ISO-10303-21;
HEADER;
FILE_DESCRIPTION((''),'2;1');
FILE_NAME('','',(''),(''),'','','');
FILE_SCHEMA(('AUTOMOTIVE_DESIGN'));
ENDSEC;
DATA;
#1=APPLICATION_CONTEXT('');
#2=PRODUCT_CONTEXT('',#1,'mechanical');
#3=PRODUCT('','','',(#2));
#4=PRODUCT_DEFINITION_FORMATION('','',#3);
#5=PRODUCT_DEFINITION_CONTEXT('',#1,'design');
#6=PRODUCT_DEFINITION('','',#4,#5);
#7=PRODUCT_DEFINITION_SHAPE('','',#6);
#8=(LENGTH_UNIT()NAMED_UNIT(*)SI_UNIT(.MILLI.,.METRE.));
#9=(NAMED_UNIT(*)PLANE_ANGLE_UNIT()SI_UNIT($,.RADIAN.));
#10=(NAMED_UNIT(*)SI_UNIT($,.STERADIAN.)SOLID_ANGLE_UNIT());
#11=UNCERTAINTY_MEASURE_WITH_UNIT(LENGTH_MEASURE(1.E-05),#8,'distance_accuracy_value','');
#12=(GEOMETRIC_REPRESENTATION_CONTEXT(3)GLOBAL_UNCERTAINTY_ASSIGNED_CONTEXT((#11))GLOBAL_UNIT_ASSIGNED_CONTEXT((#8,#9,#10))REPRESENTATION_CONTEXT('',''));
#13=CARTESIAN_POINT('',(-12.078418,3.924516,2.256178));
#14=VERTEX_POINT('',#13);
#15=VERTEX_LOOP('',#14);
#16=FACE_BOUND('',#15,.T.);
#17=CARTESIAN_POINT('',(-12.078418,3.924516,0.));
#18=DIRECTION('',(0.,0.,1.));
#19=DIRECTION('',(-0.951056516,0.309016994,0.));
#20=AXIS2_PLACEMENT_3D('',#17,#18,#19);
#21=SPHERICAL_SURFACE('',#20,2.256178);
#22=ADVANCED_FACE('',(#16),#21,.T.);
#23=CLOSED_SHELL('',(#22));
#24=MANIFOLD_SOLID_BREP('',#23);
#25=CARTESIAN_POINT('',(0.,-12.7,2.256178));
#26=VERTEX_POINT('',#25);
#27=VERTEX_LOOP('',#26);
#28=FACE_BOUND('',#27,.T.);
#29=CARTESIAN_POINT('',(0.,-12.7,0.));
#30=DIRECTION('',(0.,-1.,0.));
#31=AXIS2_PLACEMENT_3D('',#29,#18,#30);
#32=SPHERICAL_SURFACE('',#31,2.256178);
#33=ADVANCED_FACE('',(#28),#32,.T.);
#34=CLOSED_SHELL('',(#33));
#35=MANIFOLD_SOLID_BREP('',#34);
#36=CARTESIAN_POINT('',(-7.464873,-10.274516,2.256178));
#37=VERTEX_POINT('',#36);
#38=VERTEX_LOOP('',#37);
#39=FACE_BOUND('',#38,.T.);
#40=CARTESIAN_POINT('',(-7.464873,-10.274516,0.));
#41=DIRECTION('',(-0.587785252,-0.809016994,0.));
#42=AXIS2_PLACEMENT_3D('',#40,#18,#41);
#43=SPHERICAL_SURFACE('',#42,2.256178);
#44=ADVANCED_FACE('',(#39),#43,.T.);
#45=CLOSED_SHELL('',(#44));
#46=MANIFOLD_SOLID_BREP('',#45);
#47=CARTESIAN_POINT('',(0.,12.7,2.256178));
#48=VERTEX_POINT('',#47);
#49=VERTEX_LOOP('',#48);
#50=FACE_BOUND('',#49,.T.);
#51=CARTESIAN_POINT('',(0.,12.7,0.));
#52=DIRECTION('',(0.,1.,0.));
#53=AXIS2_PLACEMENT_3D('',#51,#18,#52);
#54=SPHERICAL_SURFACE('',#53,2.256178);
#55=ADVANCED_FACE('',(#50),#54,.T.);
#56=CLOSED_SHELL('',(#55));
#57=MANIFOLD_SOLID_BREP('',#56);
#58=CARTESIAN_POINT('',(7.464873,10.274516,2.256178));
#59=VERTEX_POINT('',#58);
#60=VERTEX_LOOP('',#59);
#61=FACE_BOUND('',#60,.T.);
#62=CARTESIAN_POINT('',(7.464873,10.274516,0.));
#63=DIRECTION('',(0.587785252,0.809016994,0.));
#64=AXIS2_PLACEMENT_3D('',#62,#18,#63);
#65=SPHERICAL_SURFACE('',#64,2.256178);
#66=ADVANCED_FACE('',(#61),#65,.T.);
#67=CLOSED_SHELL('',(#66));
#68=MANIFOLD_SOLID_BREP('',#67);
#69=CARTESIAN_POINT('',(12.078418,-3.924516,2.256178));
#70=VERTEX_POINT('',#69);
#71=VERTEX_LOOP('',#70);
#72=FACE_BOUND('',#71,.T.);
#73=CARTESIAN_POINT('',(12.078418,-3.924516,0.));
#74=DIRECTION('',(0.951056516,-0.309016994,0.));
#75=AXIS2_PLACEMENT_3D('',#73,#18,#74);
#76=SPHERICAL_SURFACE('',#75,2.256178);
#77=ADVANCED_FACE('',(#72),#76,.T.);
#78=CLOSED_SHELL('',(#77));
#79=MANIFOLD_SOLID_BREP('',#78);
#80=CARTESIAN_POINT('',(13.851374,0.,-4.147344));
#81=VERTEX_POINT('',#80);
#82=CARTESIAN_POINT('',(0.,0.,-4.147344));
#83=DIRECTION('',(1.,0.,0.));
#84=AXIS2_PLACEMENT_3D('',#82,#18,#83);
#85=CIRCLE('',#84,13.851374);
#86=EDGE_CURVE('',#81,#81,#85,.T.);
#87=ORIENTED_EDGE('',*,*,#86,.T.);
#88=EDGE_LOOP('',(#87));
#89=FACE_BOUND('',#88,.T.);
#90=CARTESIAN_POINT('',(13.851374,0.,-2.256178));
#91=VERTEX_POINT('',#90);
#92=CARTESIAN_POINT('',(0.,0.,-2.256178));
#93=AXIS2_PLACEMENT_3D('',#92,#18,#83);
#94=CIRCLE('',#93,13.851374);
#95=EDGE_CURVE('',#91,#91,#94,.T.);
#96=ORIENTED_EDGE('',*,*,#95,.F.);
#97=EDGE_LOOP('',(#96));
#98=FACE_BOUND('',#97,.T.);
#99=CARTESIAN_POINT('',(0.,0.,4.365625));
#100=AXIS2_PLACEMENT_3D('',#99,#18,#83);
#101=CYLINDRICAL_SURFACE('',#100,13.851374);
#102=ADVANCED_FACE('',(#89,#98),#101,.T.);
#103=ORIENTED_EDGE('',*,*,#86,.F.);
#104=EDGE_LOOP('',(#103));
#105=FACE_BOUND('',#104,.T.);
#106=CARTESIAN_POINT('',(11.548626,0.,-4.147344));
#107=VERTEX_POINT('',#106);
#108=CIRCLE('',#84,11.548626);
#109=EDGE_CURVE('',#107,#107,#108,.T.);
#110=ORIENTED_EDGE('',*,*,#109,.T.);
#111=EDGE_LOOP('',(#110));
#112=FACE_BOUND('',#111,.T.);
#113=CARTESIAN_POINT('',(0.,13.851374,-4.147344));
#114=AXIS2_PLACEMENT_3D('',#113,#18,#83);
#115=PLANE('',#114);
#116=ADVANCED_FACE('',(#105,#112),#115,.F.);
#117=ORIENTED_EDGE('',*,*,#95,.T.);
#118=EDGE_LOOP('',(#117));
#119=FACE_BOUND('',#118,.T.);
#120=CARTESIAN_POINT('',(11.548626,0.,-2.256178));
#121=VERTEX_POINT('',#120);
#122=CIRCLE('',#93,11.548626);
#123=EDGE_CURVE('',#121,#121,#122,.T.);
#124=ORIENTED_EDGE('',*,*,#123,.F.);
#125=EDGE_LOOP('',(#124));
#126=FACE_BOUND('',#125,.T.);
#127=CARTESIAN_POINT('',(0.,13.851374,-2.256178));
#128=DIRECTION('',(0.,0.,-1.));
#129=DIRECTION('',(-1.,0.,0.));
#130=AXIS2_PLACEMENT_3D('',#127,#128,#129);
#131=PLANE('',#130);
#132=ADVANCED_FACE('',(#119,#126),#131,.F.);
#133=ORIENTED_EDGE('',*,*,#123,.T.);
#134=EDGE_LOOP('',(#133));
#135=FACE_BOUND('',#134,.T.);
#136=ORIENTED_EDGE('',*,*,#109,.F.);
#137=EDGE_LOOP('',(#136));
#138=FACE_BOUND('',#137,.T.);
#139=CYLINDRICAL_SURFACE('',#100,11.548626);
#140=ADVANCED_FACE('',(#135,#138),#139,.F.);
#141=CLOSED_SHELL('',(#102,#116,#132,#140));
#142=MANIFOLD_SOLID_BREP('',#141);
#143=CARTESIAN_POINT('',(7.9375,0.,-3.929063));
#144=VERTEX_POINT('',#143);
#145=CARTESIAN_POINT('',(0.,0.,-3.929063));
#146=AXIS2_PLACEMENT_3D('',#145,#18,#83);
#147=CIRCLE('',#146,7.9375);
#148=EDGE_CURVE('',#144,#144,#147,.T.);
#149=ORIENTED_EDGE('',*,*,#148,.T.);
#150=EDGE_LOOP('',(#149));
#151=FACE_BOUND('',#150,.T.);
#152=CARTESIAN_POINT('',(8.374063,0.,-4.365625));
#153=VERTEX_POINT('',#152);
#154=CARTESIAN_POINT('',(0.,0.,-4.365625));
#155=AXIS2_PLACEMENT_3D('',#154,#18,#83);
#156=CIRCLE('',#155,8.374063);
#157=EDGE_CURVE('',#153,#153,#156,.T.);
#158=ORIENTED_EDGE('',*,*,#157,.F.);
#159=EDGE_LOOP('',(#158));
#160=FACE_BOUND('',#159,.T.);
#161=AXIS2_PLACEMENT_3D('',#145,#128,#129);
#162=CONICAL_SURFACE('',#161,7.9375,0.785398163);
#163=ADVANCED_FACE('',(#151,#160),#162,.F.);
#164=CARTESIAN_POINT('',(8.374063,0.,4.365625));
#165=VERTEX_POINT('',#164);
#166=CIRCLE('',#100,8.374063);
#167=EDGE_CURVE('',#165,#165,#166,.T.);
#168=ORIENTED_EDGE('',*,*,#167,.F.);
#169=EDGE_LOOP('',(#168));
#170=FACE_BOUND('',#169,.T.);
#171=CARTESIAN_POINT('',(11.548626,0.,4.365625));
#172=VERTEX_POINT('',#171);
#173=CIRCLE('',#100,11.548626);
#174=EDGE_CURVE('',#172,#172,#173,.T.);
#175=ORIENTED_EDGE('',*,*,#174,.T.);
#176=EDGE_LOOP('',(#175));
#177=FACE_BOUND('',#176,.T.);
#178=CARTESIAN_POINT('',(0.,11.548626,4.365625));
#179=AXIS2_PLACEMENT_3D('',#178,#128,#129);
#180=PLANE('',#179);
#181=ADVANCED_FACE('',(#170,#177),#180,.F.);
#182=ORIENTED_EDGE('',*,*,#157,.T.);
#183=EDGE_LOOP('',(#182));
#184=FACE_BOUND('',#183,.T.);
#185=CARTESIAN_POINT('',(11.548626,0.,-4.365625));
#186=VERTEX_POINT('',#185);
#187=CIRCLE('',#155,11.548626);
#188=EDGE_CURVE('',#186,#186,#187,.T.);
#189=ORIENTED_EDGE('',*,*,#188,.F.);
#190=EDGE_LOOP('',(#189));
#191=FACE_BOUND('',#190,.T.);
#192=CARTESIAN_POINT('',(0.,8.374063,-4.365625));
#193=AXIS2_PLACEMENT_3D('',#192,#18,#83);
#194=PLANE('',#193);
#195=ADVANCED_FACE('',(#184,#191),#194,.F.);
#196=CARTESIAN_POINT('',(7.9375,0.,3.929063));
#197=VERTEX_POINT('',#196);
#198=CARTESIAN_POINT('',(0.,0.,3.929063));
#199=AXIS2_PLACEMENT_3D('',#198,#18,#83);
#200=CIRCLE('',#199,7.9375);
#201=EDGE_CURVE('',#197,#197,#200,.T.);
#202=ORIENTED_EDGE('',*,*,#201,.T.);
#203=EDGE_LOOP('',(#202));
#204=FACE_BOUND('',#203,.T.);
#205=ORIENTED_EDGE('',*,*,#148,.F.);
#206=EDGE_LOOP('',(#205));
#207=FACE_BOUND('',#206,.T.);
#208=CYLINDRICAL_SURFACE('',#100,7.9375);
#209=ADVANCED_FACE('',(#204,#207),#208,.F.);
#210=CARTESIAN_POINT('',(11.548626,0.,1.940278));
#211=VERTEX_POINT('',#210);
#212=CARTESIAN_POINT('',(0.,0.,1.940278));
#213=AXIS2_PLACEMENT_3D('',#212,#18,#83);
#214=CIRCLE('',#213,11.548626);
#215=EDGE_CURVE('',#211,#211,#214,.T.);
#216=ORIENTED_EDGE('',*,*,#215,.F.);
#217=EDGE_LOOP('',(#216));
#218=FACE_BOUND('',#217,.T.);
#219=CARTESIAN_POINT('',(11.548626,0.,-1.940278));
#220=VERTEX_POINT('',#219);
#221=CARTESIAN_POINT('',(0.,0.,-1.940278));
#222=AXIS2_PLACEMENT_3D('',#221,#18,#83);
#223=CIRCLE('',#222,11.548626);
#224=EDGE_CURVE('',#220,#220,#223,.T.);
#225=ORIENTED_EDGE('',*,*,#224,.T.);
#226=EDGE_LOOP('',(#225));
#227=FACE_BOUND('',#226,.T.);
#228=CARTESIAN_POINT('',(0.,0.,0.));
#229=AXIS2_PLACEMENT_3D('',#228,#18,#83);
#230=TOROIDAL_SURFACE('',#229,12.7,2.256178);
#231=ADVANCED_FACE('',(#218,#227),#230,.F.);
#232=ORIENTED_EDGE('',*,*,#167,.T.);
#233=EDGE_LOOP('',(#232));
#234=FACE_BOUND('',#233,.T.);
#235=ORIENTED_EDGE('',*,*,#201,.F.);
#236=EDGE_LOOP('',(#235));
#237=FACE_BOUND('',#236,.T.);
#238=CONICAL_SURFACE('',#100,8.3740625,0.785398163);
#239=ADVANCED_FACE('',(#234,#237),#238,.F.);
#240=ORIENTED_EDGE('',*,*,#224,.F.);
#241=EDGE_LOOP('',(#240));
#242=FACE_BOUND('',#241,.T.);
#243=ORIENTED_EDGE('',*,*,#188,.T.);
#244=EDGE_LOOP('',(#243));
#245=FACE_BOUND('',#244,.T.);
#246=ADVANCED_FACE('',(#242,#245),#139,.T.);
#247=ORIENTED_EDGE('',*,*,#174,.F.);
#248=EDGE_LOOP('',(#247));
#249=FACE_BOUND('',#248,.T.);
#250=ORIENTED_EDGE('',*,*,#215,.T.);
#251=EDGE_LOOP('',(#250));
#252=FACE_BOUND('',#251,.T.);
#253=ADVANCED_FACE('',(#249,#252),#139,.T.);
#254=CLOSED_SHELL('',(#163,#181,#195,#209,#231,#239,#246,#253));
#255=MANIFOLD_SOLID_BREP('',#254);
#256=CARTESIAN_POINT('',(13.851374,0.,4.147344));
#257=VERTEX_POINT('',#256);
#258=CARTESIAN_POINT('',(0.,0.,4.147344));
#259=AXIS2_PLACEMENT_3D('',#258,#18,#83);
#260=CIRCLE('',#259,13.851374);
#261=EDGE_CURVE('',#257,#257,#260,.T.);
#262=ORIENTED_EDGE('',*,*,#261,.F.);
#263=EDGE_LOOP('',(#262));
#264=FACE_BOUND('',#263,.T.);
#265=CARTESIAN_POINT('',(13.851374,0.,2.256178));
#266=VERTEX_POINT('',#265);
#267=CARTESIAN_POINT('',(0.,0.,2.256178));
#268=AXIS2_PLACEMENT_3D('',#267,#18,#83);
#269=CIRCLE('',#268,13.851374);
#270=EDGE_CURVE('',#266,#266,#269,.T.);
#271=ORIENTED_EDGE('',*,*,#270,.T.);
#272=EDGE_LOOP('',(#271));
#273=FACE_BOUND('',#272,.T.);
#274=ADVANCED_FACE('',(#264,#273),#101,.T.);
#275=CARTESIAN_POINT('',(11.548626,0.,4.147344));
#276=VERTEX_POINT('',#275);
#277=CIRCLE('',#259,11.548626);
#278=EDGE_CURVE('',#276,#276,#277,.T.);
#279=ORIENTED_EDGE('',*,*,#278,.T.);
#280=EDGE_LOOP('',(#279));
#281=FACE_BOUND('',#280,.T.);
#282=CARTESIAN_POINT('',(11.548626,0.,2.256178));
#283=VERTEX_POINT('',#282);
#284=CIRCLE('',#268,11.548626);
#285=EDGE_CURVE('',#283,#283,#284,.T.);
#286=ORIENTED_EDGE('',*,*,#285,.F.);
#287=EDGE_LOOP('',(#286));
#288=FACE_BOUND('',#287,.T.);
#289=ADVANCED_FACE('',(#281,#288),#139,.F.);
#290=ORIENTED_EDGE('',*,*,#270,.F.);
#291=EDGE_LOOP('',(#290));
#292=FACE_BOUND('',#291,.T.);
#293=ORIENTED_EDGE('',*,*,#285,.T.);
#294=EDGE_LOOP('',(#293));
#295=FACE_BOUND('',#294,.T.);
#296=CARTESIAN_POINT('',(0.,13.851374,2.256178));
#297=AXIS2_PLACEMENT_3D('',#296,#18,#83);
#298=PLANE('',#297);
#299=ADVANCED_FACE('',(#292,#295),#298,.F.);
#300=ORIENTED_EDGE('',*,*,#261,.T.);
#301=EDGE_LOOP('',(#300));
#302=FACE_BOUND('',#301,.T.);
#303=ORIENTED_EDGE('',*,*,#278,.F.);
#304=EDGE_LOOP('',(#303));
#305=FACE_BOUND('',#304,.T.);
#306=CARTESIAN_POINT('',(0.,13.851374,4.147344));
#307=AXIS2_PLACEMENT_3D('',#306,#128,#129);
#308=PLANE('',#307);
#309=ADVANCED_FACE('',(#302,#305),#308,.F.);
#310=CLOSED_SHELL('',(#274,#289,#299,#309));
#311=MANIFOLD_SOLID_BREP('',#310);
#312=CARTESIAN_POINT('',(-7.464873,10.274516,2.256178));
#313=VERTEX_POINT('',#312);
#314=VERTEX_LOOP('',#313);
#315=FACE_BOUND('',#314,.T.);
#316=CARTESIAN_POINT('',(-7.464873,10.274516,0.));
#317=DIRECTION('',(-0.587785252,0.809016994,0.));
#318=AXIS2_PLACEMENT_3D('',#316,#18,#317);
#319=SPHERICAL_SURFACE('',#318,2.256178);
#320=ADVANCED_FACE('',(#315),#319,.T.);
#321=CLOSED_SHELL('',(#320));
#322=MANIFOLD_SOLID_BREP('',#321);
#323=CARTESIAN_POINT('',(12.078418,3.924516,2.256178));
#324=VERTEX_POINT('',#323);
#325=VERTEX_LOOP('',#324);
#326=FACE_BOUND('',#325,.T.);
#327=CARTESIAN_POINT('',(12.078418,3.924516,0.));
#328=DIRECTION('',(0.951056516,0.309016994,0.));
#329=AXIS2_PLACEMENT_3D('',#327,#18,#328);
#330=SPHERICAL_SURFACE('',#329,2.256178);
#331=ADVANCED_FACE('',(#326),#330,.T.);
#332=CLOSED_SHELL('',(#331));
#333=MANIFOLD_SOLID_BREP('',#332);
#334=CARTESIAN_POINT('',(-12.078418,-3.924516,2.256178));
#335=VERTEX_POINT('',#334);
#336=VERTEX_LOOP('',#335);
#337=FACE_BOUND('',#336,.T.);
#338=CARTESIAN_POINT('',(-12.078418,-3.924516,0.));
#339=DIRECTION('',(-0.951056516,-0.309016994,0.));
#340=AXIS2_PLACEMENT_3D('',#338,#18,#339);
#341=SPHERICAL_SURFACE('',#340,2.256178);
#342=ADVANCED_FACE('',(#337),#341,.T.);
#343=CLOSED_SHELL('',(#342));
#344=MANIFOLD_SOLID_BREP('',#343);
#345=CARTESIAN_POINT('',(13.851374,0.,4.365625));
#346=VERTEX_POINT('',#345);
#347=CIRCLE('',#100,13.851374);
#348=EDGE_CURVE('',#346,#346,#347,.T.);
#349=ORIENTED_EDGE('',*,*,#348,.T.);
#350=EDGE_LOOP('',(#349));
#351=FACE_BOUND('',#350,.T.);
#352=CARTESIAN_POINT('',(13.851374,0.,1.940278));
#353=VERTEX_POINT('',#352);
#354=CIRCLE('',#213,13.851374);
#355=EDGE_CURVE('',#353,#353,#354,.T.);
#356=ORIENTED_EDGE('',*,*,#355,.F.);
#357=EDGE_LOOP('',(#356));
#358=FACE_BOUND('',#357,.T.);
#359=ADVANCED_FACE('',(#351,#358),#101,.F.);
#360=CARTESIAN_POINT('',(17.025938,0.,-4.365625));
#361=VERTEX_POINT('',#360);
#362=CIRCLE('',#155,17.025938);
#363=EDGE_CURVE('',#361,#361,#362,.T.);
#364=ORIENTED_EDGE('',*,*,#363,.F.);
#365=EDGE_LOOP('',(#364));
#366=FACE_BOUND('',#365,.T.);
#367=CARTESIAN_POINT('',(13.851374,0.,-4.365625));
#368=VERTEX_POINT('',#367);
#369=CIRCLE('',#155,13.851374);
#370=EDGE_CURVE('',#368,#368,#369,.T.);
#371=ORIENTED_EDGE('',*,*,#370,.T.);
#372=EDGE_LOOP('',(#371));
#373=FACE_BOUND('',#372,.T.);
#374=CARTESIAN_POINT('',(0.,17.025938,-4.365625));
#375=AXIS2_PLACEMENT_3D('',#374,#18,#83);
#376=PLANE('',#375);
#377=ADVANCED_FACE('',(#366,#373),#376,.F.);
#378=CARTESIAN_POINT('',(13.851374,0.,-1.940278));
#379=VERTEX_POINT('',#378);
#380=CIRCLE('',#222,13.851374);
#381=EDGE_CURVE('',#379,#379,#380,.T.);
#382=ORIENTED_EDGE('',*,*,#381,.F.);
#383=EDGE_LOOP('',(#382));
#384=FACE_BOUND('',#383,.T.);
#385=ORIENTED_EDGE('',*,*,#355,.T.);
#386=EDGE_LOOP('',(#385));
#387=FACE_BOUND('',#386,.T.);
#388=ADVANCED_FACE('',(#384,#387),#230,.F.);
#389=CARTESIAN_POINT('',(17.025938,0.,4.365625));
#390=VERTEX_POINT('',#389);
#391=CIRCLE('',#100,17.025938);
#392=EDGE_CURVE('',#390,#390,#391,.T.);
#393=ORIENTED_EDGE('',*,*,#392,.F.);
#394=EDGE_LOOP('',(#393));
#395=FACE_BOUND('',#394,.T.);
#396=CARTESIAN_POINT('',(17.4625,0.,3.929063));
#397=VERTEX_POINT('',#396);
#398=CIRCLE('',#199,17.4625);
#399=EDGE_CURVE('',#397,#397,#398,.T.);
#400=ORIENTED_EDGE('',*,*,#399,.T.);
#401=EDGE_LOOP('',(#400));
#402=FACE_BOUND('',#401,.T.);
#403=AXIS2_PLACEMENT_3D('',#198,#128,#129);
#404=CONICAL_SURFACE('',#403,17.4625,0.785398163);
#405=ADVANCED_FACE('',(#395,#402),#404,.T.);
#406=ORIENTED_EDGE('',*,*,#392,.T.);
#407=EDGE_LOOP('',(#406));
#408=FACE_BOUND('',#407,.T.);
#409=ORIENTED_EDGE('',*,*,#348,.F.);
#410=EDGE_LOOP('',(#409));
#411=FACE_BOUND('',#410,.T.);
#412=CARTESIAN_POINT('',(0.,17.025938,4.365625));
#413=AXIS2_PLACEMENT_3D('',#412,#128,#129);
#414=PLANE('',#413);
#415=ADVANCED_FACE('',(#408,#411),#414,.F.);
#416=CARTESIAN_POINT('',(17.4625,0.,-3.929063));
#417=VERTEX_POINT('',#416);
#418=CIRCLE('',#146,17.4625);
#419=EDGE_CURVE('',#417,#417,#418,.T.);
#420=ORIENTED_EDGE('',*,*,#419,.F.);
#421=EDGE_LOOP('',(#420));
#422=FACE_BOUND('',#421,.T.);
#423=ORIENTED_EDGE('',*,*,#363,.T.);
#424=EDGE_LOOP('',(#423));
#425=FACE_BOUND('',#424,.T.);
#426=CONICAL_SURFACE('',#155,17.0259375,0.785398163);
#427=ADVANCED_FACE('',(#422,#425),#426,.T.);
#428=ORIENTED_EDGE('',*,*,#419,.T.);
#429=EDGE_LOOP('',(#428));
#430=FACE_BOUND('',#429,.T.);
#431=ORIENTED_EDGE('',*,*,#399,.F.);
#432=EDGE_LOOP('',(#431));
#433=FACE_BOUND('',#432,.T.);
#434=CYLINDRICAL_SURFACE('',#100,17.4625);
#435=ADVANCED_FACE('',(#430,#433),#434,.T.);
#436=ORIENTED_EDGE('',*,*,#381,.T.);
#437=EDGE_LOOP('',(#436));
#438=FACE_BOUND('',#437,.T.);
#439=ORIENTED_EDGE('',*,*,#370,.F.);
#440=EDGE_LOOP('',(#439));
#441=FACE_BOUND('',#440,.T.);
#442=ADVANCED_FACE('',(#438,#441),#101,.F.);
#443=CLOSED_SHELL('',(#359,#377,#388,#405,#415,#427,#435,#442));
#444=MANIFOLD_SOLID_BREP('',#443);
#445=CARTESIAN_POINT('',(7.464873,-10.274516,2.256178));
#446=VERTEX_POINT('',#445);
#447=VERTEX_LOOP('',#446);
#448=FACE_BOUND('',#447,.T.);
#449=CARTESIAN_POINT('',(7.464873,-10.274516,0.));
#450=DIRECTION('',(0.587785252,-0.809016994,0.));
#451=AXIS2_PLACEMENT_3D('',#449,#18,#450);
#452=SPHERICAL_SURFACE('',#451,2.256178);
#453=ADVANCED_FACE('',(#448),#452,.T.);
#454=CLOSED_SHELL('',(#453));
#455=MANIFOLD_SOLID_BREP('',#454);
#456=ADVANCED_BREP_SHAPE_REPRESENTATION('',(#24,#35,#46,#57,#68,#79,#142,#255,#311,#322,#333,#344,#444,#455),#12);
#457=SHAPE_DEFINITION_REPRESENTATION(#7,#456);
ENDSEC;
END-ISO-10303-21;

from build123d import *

# Parameters (mm, degrees)
CIRPATTERN1_COUNT = 10
SKETCH5_W         = 1.891165769
SKETCH5_H         = 2.302747252


with BuildPart() as part:
    # Sketch1 → Revolve1 (revolve)
    with BuildSketch(Plane(origin=(0, 0, 0), x_dir=(0, 0, -1), z_dir=(1, 0, 0)), mode=Mode.PRIVATE) as revolve1_sk:
        with BuildLine():
            Line((3.9290625, 17.4625), (-3.9290625, 17.4625))
            Line((-3.9290625, 17.4625), (-4.365625, 17.0259375))
            Line((-4.365625, 17.0259375), (-4.365625, 13.851373626))
            Line((-4.365625, 13.851373626), (-1.940277778, 13.851373626))
            ThreePointArc((-1.940277778, 13.851373626), (0, 14.956177981), (1.940277778, 13.851373626))
            Line((1.940277778, 13.851373626), (4.365625, 13.851373626))
            Line((4.365625, 13.851373626), (4.365625, 17.0259375))
            Line((4.365625, 17.0259375), (3.9290625, 17.4625))
        make_face()
    revolve(revolve1_sk.sketch.rotate(Axis((0, 0, 4.365625), (0, 0, -1)), 90), axis=Axis((0, 0, 4.365625), (0, 0, -1)))  # turned: the seam where the file's is


with BuildPart() as body_2:
    # Sketch3 → Revolve3 (revolve)
    with BuildSketch(Plane(origin=(0, 0, 0), x_dir=(0, 0, -1), z_dir=(1, 0, 0)), mode=Mode.PRIVATE) as revolve3_sk:
        with BuildLine():
            Line((-4.365625, 11.548626374), (-1.940277778, 11.548626374))
            ThreePointArc((-1.940277778, 11.548626374), (0, 10.443822019), (1.940277778, 11.548626374))
            Line((1.940277778, 11.548626374), (4.365625, 11.548626374))
            Line((4.365625, 11.548626374), (4.365625, 8.3740625))
            Line((4.365625, 8.3740625), (3.9290625, 7.9375))
            Line((3.9290625, 7.9375), (-3.9290625, 7.9375))
            Line((-3.9290625, 7.9375), (-4.365625, 8.3740625))
            Line((-4.365625, 8.3740625), (-4.365625, 11.548626374))
        make_face()
    revolve(revolve3_sk.sketch.rotate(Axis((0, 0, 4.365625), (0, 0, -1)), 90), axis=Axis((0, 0, 4.365625), (0, 0, -1)))  # turned: the seam where the file's is


with BuildPart() as body_3:
    # Sketch4 → Revolve4 (revolve)
    with BuildSketch(Plane(origin=(0, 0, 0), x_dir=(0, 0, -1), z_dir=(1, 0, 0))):
        with BuildLine():
            Line((-2.256177981, 12.7), (2.256177981, 12.7))
            ThreePointArc((2.256177981, 12.7), (0, 14.956177981), (-2.256177981, 12.7))
        make_face()
    revolve(axis=Axis((0, 12.7, 2.256177981), (0, 0, -1)))


with BuildPart() as cirpattern1_1:
    # CirPattern1: pattern copy
    add(body_3.part.rotate(Axis((0, 0, 0), (0, 0, 1)), 1 * 360 / CIRPATTERN1_COUNT))


with BuildPart() as cirpattern1_2:
    # CirPattern1: pattern copy
    add(body_3.part.rotate(Axis((0, 0, 0), (0, 0, 1)), 2 * 360 / CIRPATTERN1_COUNT))


with BuildPart() as cirpattern1_3:
    # CirPattern1: pattern copy
    add(body_3.part.rotate(Axis((0, 0, 0), (0, 0, 1)), 3 * 360 / CIRPATTERN1_COUNT))


with BuildPart() as cirpattern1_4:
    # CirPattern1: pattern copy
    add(body_3.part.rotate(Axis((0, 0, 0), (0, 0, 1)), 4 * 360 / CIRPATTERN1_COUNT))


with BuildPart() as cirpattern1_5:
    # CirPattern1: pattern copy
    add(body_3.part.rotate(Axis((0, 0, 0), (0, 0, 1)), 5 * 360 / CIRPATTERN1_COUNT))


with BuildPart() as cirpattern1_6:
    # CirPattern1: pattern copy
    add(body_3.part.rotate(Axis((0, 0, 0), (0, 0, 1)), 6 * 360 / CIRPATTERN1_COUNT))


with BuildPart() as cirpattern1_7:
    # CirPattern1: pattern copy
    add(body_3.part.rotate(Axis((0, 0, 0), (0, 0, 1)), 7 * 360 / CIRPATTERN1_COUNT))


with BuildPart() as cirpattern1_8:
    # CirPattern1: pattern copy
    add(body_3.part.rotate(Axis((0, 0, 0), (0, 0, 1)), 8 * 360 / CIRPATTERN1_COUNT))


with BuildPart() as cirpattern1_9:
    # CirPattern1: pattern copy
    add(body_3.part.rotate(Axis((0, 0, 0), (0, 0, 1)), 9 * 360 / CIRPATTERN1_COUNT))


with BuildPart() as body_13:
    # Sketch5 → Revolve5 (revolve)
    with BuildSketch(Plane(origin=(0, 0, 0), x_dir=(0, 0, -1), z_dir=(1, 0, 0)), mode=Mode.PRIVATE) as revolve5_sk:
        with Locations((-3.201760865, 12.7)):
            Rectangle(SKETCH5_W, SKETCH5_H)
        with Locations((3.201760865, 12.7)):
            Rectangle(SKETCH5_W, SKETCH5_H)
    revolve(revolve5_sk.sketch.rotate(Axis((0, 0, 4.365625), (0, 0, -1)), 90), axis=Axis((0, 0, 4.365625), (0, 0, -1)))  # turned: the seam where the file's is


solid = Compound([part.part, body_2.part, body_3.part, cirpattern1_1.part, cirpattern1_2.part, cirpattern1_3.part, cirpattern1_4.part, cirpattern1_5.part, cirpattern1_6.part, cirpattern1_7.part, cirpattern1_8.part, cirpattern1_9.part, body_13.part])
